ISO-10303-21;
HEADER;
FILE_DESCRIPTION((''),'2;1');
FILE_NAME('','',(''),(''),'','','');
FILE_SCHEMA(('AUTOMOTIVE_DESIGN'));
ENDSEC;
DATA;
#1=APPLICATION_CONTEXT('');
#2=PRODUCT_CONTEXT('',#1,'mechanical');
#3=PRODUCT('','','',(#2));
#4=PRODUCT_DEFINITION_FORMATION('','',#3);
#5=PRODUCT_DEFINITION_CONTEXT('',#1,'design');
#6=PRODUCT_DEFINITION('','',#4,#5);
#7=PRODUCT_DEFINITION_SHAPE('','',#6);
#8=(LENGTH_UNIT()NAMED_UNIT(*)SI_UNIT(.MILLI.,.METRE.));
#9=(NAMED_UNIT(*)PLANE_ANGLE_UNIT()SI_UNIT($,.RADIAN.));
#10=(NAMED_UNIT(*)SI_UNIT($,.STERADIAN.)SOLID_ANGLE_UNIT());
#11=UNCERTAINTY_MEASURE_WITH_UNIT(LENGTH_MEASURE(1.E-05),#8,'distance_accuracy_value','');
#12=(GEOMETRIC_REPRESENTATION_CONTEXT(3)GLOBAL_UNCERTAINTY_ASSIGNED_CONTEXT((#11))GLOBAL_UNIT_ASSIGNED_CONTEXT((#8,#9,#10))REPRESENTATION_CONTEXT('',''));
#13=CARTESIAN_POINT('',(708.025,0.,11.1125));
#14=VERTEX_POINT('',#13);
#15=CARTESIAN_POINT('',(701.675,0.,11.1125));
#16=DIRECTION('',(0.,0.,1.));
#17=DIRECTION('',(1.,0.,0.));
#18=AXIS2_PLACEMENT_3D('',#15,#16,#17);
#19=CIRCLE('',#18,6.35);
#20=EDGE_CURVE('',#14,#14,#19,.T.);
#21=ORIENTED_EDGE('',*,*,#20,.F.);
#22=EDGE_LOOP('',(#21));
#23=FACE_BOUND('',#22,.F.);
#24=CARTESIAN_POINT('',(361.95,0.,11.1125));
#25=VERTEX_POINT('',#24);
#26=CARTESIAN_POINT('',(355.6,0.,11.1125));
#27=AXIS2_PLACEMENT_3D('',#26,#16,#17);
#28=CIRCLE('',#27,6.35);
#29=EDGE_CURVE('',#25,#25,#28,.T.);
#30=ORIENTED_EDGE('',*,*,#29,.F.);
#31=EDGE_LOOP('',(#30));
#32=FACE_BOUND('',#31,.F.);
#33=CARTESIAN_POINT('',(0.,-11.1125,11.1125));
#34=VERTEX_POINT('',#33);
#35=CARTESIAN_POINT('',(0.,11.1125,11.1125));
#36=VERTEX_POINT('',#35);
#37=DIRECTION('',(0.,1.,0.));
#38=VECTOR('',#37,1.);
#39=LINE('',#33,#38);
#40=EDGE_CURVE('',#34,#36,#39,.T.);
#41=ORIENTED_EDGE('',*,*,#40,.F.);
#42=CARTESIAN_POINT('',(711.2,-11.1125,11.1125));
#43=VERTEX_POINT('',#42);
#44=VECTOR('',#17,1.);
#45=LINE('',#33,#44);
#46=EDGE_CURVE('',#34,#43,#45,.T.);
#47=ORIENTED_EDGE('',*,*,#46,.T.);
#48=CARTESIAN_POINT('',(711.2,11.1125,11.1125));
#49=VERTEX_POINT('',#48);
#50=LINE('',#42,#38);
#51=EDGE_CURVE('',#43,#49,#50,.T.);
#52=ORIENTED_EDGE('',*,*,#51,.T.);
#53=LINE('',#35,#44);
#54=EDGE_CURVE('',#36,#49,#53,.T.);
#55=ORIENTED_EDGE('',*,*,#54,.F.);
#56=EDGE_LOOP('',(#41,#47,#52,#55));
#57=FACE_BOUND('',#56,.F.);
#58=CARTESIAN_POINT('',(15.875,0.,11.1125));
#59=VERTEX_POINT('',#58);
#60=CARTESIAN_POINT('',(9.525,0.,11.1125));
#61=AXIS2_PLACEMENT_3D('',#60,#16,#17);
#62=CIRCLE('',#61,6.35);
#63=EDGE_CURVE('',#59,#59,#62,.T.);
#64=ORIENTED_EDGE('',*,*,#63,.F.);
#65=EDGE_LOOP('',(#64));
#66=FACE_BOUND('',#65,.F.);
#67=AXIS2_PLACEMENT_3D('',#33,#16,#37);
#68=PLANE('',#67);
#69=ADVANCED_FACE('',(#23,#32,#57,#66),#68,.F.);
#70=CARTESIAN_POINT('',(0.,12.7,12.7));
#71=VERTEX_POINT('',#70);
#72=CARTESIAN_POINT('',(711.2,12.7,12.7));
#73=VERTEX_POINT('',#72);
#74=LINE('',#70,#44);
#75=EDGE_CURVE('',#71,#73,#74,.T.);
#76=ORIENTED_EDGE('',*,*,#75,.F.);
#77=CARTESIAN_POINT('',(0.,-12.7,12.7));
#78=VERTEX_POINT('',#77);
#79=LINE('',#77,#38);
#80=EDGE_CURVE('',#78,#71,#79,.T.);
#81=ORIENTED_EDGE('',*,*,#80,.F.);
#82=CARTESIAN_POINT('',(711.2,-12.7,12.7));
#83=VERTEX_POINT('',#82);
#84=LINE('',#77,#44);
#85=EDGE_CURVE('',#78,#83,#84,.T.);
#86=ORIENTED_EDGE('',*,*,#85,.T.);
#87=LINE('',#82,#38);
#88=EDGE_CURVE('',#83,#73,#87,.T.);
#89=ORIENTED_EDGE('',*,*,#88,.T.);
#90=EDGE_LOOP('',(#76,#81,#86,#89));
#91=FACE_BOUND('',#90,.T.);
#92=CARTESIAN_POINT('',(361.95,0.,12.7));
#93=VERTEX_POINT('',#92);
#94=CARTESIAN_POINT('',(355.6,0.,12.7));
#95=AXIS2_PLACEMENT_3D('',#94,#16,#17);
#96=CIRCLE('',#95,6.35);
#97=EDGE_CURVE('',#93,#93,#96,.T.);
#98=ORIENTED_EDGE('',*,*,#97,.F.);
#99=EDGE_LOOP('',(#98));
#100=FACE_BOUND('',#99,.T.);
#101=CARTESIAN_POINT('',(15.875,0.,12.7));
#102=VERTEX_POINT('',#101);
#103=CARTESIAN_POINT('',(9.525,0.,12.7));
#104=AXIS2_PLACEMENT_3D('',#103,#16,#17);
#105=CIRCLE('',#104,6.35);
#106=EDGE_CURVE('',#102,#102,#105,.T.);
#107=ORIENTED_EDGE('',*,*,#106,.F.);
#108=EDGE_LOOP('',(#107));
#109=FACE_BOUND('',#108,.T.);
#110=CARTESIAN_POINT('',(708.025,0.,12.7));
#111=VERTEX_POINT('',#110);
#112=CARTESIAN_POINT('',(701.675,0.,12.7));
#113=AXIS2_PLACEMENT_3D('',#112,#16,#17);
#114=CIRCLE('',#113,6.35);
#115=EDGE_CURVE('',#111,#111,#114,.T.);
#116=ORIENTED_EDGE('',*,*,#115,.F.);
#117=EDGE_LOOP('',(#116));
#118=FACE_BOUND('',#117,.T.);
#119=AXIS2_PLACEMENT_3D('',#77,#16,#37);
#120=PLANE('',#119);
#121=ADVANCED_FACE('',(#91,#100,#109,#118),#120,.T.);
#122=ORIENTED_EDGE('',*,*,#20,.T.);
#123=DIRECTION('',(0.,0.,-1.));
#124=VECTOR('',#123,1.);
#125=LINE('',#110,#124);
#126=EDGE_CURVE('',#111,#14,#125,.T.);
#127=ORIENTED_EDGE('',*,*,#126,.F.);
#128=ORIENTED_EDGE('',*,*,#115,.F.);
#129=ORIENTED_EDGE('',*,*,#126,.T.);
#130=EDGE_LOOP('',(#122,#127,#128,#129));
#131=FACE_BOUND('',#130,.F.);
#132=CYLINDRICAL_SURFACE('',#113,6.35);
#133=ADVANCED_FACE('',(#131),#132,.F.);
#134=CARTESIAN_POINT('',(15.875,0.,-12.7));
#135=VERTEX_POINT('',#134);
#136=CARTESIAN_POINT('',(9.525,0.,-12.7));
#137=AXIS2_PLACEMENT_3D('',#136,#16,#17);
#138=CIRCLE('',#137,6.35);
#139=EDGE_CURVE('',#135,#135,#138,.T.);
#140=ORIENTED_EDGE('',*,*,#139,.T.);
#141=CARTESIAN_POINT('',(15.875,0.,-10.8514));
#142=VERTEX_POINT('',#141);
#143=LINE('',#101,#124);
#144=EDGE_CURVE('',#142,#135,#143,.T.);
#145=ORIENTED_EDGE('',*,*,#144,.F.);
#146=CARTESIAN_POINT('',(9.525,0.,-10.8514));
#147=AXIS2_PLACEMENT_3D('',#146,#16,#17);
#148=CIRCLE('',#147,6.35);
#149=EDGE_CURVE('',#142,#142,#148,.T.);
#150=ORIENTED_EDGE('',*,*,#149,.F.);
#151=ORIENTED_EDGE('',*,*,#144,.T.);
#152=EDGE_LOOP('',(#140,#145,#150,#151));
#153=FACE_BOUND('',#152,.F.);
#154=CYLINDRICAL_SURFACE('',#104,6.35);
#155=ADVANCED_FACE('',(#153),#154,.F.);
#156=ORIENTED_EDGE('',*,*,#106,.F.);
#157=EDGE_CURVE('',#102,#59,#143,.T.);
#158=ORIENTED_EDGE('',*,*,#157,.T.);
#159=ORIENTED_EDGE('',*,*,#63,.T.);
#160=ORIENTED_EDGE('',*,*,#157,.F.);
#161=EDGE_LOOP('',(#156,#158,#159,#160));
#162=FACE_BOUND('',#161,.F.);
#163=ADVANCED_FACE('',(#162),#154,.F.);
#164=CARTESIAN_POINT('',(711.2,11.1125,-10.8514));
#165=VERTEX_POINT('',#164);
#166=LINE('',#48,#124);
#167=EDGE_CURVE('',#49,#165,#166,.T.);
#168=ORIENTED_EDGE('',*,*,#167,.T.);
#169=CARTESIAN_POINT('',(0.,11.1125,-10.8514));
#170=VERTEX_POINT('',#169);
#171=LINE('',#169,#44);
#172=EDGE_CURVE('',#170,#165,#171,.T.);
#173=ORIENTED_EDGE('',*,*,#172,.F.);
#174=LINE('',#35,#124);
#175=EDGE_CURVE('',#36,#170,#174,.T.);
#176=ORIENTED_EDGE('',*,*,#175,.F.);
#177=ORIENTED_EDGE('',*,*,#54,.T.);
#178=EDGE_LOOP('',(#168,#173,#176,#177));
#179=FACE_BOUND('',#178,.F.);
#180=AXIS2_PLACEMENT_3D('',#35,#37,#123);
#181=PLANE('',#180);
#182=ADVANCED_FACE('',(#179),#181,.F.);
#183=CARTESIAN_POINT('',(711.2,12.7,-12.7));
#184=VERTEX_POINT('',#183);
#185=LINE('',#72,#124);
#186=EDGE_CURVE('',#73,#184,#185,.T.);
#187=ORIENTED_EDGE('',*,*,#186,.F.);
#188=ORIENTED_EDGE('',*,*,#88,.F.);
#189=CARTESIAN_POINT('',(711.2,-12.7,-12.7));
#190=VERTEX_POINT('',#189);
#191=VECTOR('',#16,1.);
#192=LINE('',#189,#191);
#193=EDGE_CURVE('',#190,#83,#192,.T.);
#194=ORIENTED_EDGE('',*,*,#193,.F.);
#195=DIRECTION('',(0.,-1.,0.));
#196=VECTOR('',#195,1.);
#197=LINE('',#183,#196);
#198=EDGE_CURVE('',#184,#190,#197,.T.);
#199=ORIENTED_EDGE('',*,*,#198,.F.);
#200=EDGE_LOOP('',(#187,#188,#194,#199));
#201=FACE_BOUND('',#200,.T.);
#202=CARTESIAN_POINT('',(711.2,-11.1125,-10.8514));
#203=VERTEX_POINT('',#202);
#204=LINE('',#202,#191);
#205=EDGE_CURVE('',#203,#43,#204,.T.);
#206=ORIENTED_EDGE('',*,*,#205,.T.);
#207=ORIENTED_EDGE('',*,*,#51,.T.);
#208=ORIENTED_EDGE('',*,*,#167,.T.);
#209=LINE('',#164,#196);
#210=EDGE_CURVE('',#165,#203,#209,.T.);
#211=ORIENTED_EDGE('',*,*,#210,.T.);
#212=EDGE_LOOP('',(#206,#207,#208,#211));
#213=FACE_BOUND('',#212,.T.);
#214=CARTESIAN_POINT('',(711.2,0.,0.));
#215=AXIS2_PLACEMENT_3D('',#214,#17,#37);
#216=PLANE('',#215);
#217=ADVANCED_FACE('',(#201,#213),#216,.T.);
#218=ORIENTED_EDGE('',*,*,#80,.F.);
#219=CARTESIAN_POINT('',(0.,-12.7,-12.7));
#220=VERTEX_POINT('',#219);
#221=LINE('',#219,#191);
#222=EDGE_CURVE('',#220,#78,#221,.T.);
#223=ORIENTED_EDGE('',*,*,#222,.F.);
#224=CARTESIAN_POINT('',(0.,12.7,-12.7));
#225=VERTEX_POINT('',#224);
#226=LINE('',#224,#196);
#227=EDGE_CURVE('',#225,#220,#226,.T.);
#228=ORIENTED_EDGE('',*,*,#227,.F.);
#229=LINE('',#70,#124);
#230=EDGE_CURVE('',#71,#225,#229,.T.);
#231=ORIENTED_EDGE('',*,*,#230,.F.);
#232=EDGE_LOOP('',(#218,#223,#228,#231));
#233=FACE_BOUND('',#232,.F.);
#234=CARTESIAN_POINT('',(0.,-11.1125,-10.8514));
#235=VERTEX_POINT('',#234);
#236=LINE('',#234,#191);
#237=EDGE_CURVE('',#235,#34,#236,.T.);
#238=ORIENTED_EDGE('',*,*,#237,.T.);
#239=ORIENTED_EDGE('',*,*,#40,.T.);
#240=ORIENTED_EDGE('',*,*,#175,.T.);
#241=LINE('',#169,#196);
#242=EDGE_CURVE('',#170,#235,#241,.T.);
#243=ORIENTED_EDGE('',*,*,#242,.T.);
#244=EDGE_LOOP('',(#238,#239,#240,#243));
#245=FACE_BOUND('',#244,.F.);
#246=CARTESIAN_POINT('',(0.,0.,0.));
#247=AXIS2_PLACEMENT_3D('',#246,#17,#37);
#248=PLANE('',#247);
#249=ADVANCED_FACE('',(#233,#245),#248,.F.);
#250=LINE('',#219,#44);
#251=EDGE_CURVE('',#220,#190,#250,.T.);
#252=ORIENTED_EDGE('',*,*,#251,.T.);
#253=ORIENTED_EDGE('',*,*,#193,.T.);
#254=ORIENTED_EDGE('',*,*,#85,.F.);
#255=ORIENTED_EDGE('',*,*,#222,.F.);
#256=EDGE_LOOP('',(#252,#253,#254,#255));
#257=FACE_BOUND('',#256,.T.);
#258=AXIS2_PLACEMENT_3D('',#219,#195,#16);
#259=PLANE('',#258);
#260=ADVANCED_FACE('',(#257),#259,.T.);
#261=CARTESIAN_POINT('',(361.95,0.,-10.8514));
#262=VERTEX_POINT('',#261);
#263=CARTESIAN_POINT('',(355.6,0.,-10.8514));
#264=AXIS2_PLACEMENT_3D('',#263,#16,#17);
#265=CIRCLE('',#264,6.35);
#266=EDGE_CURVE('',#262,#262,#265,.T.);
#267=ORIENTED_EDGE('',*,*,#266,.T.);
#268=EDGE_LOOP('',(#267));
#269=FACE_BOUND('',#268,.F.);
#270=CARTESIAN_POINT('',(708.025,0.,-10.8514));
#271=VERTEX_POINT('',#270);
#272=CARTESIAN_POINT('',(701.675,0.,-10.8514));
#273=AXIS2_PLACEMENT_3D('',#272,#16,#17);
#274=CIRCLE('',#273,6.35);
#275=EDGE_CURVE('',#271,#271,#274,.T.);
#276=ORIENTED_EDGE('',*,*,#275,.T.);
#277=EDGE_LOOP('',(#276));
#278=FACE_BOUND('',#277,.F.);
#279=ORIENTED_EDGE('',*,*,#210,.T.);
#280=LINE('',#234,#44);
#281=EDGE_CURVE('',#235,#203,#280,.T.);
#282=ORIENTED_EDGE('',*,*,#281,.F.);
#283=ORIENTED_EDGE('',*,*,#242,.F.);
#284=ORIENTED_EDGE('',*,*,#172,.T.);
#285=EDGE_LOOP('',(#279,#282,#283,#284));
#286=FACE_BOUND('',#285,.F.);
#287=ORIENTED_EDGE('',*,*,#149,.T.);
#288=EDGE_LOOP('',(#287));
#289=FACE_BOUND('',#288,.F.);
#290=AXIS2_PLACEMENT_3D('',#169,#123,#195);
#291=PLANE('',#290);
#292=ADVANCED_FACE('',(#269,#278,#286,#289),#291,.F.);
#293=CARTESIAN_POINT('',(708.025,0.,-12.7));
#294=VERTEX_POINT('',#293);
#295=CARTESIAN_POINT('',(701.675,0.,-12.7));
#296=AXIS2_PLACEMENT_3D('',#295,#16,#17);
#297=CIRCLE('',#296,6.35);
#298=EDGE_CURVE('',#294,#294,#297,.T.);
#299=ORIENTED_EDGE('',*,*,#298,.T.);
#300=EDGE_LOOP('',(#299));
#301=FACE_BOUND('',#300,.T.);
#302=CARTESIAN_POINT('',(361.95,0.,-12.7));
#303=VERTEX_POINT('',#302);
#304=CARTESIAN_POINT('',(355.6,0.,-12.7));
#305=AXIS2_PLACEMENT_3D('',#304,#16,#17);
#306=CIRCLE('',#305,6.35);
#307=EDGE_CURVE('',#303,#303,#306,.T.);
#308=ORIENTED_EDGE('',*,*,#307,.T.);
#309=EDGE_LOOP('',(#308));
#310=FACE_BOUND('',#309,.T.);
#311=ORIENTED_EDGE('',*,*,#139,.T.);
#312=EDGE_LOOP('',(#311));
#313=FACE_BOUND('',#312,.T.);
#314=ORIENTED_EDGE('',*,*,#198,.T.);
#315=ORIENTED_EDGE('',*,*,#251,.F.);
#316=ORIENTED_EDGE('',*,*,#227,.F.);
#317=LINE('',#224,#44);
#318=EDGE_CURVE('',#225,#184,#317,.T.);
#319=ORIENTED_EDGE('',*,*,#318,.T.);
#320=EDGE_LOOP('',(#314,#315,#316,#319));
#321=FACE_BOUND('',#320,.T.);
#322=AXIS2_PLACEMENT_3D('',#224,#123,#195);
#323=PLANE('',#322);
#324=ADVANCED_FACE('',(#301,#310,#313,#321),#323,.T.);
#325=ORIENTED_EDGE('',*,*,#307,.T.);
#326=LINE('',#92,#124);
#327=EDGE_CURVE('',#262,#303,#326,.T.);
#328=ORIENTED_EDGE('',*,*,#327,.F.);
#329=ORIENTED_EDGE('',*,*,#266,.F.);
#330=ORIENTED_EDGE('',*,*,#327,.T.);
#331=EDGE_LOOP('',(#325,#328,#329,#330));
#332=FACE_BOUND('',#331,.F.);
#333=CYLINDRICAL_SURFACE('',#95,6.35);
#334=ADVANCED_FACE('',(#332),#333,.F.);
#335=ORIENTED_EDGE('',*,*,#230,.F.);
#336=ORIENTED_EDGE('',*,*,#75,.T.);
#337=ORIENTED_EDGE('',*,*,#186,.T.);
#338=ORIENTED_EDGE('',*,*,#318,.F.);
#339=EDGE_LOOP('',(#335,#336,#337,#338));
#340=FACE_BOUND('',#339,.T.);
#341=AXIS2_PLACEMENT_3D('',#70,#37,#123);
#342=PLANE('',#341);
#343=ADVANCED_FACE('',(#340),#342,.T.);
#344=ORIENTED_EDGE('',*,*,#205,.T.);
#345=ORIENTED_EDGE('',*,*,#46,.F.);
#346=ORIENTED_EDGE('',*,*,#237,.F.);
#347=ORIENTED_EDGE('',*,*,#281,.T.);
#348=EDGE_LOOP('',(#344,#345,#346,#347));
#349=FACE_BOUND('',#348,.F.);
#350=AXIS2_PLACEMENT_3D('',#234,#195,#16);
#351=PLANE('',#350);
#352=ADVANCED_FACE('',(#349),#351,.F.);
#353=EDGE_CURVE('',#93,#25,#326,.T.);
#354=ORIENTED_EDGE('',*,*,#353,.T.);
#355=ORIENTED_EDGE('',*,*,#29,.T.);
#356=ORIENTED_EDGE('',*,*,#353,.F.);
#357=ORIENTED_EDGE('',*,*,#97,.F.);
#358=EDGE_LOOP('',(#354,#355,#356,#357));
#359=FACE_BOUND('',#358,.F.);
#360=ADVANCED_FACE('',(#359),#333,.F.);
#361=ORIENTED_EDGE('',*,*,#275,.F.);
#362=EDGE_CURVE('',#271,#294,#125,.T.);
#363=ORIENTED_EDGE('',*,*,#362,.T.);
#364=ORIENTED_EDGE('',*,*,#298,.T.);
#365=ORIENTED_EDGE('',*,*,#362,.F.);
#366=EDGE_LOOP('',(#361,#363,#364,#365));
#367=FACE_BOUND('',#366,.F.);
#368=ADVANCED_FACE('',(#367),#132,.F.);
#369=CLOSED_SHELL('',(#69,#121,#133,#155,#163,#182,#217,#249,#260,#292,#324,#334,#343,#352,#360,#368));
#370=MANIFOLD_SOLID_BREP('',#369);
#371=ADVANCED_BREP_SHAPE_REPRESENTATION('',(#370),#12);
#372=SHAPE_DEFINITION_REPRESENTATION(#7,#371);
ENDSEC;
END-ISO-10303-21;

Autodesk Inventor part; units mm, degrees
ref_plane "YZ Plane" through (0, 0, 0) normal (1, 0, 0) x (0, 1, 0)
ref_plane "XZ Plane" through (0, 0, 0) normal (0, 1, 0) x (-1, 0, 0)
ref_plane "XY Plane" through (0, 0, 0) normal (0, 0, 1) x (1, 0, 0)
sketch "Sketch1" plane through (0, 0, 0) normal (1, 0, 0) x (0, 1, 0)
  line L0 (-12.7, 12.7) -> (12.7, 12.7)
  line L1 (12.7, 12.7) -> (12.7, -12.7)
  line L2 (12.7, -12.7) -> (-12.7, -12.7)
  line L3 (-12.7, -12.7) -> (-12.7, 12.7)
  line L4 (-11.1125, 11.1125) -> (11.1125, 11.1125)
  line L5 (11.1125, 11.1125) -> (11.1125, -10.8514)
  line L6 (11.1125, -10.8514) -> (-11.1125, -10.8514)
  line L7 (-11.1125, -10.8514) -> (-11.1125, 11.1125)
  point P0 (0, 0)
  point P1 (0, 12.7)
  point P2 (-12.7, 0)
  dimension "d0" = 25.4
  dimension "d1" = 25.4
  dimension "d2" = 1.5875
  dimension "d3" = 1.5875
  dimension "d4" = 1.5875
extrude "Extrusion1" add sketch "Sketch1" along normal blind 711.2
sketch "Sketch2" plane through (0, -12.7, 12.7) normal (0, 0, 1) x (1, 0, 0)
  circle A0 centre (9.525, 12.7) radius 6.35
  circle A1 centre (701.675, 12.7) radius 6.35
  line L0 (711.2, 25.4) -> (711.2, 0) projected
  circle A2 centre (355.6, 12.7) radius 6.35
  line L1 (0, 0) -> (0, 25.4) projected
  line L2 (0, 0) -> (711.2, 0) projected
  point P0 (0, 12.7)
  point P1 (393.7, 0)
  point P2 (355.6, 0)
  point P3 (0, 12.7)
  dimension "d7" = 12.7
  dimension "d8" = 9.525
  dimension "d9" = 12.7
  dimension "d10" = 9.525
  dimension "d13" = 12.7
  dimension "d19" = 711.2
extrude "Extrusion4" cut sketch "Sketch2" against normal blind 25.4
equation "\"d1\" = d0"
equation "\"d3\" = d2"
equation "\"d4\" = d2"
equation "\"d9\" = d7"
equation "\"d10\" = d8"
equation "\"d13\" = d7"
properties part number "Long Bar"
